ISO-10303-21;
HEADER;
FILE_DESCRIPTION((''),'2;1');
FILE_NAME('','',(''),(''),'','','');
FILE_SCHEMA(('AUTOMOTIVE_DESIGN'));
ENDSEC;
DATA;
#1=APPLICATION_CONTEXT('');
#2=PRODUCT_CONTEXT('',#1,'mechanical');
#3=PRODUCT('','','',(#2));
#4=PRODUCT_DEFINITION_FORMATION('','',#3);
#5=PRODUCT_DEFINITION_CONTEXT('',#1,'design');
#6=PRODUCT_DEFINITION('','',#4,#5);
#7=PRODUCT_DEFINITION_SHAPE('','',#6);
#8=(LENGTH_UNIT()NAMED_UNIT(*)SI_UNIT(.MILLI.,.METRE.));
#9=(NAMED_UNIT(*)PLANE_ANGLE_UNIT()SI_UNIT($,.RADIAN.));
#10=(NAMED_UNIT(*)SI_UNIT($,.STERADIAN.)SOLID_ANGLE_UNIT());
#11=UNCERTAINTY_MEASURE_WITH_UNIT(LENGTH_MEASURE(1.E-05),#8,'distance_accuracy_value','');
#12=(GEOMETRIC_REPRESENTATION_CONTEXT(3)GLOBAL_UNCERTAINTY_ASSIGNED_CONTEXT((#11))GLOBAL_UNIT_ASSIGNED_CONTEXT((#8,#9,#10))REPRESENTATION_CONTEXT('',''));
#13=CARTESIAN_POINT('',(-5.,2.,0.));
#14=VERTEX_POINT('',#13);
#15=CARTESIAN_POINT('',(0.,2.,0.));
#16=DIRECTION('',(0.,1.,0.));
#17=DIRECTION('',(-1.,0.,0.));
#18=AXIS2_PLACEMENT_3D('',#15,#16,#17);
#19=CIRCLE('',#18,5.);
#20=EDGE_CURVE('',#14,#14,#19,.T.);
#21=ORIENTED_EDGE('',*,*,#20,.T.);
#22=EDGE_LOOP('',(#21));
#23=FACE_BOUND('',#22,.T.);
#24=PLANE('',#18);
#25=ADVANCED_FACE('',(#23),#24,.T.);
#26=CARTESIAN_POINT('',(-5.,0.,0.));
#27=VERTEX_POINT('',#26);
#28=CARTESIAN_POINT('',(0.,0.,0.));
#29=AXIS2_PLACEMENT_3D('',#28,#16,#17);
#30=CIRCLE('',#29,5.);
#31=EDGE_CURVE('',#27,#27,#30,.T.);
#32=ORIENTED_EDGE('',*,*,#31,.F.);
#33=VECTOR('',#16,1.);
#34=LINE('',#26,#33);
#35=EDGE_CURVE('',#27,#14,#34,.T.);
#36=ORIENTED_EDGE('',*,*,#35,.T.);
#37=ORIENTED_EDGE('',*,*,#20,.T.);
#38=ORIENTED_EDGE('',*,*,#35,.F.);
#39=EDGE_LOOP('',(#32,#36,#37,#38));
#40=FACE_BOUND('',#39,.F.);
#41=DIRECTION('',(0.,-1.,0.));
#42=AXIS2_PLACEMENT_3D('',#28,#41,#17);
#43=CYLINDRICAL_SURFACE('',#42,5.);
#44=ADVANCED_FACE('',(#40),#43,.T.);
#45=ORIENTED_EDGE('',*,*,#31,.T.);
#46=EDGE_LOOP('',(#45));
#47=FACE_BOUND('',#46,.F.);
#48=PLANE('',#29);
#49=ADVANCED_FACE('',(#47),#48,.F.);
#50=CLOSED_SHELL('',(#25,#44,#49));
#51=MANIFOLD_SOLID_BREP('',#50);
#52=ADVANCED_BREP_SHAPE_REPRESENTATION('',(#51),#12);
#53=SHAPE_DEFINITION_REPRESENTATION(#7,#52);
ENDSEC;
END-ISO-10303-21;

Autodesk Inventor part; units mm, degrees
ref_plane "YZ Plane" through (0, 0, 0) normal (1, 0, 0) x (0, 1, 0)
ref_plane "XZ Plane" through (0, 0, 0) normal (0, 1, 0) x (-1, 0, 0)
ref_plane "XY Plane" through (0, 0, 0) normal (0, 0, 1) x (1, 0, 0)
sketch "スケッチ1" plane through (0, 0, 0) normal (0, 1, 0) x (-1, 0, 0)
  circle A0 centre (0, 0) radius 5
  dimension "d0" = 10
extrude "押し出し1" add sketch "スケッチ1" along normal blind 2
properties part number "M-2125_Pad" material "ゴム"
